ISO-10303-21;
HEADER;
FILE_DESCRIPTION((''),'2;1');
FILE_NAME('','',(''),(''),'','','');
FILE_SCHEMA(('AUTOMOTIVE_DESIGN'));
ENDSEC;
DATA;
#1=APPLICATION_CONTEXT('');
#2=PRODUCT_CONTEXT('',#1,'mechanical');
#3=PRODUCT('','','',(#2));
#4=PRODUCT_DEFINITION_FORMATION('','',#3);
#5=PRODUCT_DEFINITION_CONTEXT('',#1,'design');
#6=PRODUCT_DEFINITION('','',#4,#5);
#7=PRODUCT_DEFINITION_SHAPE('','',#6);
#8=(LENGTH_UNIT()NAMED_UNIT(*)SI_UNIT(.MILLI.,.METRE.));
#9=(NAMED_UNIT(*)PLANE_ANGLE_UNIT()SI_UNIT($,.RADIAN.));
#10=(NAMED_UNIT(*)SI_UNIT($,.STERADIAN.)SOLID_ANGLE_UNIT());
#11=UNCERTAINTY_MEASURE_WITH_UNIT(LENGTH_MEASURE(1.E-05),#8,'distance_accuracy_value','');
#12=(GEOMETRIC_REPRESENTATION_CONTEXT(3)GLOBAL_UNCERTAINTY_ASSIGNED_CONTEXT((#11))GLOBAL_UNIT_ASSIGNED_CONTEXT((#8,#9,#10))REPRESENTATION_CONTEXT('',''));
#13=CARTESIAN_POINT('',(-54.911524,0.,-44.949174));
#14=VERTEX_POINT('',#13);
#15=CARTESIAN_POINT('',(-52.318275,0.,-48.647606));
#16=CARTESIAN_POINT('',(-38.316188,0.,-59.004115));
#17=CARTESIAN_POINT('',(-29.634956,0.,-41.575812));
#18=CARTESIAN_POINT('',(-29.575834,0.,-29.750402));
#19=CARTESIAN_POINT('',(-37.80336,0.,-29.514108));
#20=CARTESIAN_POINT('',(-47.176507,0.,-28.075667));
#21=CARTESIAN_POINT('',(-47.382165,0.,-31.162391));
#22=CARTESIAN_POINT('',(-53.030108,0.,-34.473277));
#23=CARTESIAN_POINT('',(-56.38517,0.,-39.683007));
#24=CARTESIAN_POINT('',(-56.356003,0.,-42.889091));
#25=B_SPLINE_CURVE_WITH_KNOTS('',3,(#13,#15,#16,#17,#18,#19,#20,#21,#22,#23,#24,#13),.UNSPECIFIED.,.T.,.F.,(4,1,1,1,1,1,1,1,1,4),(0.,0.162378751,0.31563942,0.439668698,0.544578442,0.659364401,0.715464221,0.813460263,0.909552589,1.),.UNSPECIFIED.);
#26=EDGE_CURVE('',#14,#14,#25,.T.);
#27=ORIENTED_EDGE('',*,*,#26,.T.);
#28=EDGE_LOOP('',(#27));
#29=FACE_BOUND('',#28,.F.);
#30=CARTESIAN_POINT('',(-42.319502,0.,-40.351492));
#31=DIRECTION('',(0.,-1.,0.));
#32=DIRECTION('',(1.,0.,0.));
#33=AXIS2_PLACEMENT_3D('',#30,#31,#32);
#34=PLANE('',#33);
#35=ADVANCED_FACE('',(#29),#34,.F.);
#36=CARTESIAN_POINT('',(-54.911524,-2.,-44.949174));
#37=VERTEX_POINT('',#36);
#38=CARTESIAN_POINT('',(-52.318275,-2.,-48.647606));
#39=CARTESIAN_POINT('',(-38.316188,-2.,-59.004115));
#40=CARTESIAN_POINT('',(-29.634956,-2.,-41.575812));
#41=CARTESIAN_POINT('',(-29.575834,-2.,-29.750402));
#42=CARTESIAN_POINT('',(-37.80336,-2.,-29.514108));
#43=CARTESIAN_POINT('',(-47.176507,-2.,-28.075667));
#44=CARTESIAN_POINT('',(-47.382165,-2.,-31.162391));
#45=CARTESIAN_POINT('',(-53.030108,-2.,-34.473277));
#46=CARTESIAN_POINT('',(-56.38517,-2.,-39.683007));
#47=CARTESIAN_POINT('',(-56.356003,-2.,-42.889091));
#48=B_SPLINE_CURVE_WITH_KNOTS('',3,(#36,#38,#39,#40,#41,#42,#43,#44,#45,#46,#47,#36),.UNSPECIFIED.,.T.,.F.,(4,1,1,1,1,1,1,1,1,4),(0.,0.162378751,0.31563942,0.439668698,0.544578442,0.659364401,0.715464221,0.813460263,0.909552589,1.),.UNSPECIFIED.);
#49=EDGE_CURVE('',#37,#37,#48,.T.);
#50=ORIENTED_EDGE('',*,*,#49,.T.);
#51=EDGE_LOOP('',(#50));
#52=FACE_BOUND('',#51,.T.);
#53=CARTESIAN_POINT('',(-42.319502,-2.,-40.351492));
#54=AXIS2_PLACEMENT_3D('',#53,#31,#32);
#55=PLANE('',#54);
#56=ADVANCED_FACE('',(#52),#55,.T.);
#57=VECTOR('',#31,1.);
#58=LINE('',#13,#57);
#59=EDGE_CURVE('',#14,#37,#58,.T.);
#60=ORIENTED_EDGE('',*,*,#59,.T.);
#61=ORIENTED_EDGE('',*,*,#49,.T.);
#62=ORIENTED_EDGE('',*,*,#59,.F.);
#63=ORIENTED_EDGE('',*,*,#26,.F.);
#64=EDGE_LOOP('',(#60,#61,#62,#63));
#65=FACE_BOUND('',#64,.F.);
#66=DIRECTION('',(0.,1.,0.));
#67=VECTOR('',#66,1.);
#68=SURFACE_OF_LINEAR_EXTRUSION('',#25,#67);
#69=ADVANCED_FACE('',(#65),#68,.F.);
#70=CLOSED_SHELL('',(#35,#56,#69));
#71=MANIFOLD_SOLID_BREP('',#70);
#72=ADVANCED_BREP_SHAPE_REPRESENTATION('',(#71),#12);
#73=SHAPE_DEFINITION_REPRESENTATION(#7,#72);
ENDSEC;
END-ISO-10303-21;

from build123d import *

# Parameters (mm, degrees)
F1_DEPTH = 2


with BuildPart() as f1:
    # F0 (on Front) → F1 (new body)
    with BuildSketch(Plane.XZ):
        with BuildLine():
            add(Edge.make_bspline(
                [(-54.9115240574, -44.9491739273), (-52.3182746385, -48.6476061027), (-38.3161883586, -59.0041150302), (-29.6349564801, -41.5758119276), (-29.5758336653, -29.7504015264), (-37.8033597654, -29.5141080564), (-47.1765073435, -28.0756672664), (-47.3821645465, -31.1623913564), (-53.030107952, -34.4732771581), (-56.3851699019, -39.6830069387), (-56.3560030609, -42.8890914747), (-54.9115240574, -44.9491739273)],
                knots=[0, 0, 0, 0, 0.1623787512, 0.3156394195, 0.439668698, 0.5445784424, 0.6593644013, 0.7154642211, 0.8134602632, 0.9095525888, 1, 1, 1, 1], degree=3))
        make_face()
    extrude(amount=F1_DEPTH)


solid = f1.part
